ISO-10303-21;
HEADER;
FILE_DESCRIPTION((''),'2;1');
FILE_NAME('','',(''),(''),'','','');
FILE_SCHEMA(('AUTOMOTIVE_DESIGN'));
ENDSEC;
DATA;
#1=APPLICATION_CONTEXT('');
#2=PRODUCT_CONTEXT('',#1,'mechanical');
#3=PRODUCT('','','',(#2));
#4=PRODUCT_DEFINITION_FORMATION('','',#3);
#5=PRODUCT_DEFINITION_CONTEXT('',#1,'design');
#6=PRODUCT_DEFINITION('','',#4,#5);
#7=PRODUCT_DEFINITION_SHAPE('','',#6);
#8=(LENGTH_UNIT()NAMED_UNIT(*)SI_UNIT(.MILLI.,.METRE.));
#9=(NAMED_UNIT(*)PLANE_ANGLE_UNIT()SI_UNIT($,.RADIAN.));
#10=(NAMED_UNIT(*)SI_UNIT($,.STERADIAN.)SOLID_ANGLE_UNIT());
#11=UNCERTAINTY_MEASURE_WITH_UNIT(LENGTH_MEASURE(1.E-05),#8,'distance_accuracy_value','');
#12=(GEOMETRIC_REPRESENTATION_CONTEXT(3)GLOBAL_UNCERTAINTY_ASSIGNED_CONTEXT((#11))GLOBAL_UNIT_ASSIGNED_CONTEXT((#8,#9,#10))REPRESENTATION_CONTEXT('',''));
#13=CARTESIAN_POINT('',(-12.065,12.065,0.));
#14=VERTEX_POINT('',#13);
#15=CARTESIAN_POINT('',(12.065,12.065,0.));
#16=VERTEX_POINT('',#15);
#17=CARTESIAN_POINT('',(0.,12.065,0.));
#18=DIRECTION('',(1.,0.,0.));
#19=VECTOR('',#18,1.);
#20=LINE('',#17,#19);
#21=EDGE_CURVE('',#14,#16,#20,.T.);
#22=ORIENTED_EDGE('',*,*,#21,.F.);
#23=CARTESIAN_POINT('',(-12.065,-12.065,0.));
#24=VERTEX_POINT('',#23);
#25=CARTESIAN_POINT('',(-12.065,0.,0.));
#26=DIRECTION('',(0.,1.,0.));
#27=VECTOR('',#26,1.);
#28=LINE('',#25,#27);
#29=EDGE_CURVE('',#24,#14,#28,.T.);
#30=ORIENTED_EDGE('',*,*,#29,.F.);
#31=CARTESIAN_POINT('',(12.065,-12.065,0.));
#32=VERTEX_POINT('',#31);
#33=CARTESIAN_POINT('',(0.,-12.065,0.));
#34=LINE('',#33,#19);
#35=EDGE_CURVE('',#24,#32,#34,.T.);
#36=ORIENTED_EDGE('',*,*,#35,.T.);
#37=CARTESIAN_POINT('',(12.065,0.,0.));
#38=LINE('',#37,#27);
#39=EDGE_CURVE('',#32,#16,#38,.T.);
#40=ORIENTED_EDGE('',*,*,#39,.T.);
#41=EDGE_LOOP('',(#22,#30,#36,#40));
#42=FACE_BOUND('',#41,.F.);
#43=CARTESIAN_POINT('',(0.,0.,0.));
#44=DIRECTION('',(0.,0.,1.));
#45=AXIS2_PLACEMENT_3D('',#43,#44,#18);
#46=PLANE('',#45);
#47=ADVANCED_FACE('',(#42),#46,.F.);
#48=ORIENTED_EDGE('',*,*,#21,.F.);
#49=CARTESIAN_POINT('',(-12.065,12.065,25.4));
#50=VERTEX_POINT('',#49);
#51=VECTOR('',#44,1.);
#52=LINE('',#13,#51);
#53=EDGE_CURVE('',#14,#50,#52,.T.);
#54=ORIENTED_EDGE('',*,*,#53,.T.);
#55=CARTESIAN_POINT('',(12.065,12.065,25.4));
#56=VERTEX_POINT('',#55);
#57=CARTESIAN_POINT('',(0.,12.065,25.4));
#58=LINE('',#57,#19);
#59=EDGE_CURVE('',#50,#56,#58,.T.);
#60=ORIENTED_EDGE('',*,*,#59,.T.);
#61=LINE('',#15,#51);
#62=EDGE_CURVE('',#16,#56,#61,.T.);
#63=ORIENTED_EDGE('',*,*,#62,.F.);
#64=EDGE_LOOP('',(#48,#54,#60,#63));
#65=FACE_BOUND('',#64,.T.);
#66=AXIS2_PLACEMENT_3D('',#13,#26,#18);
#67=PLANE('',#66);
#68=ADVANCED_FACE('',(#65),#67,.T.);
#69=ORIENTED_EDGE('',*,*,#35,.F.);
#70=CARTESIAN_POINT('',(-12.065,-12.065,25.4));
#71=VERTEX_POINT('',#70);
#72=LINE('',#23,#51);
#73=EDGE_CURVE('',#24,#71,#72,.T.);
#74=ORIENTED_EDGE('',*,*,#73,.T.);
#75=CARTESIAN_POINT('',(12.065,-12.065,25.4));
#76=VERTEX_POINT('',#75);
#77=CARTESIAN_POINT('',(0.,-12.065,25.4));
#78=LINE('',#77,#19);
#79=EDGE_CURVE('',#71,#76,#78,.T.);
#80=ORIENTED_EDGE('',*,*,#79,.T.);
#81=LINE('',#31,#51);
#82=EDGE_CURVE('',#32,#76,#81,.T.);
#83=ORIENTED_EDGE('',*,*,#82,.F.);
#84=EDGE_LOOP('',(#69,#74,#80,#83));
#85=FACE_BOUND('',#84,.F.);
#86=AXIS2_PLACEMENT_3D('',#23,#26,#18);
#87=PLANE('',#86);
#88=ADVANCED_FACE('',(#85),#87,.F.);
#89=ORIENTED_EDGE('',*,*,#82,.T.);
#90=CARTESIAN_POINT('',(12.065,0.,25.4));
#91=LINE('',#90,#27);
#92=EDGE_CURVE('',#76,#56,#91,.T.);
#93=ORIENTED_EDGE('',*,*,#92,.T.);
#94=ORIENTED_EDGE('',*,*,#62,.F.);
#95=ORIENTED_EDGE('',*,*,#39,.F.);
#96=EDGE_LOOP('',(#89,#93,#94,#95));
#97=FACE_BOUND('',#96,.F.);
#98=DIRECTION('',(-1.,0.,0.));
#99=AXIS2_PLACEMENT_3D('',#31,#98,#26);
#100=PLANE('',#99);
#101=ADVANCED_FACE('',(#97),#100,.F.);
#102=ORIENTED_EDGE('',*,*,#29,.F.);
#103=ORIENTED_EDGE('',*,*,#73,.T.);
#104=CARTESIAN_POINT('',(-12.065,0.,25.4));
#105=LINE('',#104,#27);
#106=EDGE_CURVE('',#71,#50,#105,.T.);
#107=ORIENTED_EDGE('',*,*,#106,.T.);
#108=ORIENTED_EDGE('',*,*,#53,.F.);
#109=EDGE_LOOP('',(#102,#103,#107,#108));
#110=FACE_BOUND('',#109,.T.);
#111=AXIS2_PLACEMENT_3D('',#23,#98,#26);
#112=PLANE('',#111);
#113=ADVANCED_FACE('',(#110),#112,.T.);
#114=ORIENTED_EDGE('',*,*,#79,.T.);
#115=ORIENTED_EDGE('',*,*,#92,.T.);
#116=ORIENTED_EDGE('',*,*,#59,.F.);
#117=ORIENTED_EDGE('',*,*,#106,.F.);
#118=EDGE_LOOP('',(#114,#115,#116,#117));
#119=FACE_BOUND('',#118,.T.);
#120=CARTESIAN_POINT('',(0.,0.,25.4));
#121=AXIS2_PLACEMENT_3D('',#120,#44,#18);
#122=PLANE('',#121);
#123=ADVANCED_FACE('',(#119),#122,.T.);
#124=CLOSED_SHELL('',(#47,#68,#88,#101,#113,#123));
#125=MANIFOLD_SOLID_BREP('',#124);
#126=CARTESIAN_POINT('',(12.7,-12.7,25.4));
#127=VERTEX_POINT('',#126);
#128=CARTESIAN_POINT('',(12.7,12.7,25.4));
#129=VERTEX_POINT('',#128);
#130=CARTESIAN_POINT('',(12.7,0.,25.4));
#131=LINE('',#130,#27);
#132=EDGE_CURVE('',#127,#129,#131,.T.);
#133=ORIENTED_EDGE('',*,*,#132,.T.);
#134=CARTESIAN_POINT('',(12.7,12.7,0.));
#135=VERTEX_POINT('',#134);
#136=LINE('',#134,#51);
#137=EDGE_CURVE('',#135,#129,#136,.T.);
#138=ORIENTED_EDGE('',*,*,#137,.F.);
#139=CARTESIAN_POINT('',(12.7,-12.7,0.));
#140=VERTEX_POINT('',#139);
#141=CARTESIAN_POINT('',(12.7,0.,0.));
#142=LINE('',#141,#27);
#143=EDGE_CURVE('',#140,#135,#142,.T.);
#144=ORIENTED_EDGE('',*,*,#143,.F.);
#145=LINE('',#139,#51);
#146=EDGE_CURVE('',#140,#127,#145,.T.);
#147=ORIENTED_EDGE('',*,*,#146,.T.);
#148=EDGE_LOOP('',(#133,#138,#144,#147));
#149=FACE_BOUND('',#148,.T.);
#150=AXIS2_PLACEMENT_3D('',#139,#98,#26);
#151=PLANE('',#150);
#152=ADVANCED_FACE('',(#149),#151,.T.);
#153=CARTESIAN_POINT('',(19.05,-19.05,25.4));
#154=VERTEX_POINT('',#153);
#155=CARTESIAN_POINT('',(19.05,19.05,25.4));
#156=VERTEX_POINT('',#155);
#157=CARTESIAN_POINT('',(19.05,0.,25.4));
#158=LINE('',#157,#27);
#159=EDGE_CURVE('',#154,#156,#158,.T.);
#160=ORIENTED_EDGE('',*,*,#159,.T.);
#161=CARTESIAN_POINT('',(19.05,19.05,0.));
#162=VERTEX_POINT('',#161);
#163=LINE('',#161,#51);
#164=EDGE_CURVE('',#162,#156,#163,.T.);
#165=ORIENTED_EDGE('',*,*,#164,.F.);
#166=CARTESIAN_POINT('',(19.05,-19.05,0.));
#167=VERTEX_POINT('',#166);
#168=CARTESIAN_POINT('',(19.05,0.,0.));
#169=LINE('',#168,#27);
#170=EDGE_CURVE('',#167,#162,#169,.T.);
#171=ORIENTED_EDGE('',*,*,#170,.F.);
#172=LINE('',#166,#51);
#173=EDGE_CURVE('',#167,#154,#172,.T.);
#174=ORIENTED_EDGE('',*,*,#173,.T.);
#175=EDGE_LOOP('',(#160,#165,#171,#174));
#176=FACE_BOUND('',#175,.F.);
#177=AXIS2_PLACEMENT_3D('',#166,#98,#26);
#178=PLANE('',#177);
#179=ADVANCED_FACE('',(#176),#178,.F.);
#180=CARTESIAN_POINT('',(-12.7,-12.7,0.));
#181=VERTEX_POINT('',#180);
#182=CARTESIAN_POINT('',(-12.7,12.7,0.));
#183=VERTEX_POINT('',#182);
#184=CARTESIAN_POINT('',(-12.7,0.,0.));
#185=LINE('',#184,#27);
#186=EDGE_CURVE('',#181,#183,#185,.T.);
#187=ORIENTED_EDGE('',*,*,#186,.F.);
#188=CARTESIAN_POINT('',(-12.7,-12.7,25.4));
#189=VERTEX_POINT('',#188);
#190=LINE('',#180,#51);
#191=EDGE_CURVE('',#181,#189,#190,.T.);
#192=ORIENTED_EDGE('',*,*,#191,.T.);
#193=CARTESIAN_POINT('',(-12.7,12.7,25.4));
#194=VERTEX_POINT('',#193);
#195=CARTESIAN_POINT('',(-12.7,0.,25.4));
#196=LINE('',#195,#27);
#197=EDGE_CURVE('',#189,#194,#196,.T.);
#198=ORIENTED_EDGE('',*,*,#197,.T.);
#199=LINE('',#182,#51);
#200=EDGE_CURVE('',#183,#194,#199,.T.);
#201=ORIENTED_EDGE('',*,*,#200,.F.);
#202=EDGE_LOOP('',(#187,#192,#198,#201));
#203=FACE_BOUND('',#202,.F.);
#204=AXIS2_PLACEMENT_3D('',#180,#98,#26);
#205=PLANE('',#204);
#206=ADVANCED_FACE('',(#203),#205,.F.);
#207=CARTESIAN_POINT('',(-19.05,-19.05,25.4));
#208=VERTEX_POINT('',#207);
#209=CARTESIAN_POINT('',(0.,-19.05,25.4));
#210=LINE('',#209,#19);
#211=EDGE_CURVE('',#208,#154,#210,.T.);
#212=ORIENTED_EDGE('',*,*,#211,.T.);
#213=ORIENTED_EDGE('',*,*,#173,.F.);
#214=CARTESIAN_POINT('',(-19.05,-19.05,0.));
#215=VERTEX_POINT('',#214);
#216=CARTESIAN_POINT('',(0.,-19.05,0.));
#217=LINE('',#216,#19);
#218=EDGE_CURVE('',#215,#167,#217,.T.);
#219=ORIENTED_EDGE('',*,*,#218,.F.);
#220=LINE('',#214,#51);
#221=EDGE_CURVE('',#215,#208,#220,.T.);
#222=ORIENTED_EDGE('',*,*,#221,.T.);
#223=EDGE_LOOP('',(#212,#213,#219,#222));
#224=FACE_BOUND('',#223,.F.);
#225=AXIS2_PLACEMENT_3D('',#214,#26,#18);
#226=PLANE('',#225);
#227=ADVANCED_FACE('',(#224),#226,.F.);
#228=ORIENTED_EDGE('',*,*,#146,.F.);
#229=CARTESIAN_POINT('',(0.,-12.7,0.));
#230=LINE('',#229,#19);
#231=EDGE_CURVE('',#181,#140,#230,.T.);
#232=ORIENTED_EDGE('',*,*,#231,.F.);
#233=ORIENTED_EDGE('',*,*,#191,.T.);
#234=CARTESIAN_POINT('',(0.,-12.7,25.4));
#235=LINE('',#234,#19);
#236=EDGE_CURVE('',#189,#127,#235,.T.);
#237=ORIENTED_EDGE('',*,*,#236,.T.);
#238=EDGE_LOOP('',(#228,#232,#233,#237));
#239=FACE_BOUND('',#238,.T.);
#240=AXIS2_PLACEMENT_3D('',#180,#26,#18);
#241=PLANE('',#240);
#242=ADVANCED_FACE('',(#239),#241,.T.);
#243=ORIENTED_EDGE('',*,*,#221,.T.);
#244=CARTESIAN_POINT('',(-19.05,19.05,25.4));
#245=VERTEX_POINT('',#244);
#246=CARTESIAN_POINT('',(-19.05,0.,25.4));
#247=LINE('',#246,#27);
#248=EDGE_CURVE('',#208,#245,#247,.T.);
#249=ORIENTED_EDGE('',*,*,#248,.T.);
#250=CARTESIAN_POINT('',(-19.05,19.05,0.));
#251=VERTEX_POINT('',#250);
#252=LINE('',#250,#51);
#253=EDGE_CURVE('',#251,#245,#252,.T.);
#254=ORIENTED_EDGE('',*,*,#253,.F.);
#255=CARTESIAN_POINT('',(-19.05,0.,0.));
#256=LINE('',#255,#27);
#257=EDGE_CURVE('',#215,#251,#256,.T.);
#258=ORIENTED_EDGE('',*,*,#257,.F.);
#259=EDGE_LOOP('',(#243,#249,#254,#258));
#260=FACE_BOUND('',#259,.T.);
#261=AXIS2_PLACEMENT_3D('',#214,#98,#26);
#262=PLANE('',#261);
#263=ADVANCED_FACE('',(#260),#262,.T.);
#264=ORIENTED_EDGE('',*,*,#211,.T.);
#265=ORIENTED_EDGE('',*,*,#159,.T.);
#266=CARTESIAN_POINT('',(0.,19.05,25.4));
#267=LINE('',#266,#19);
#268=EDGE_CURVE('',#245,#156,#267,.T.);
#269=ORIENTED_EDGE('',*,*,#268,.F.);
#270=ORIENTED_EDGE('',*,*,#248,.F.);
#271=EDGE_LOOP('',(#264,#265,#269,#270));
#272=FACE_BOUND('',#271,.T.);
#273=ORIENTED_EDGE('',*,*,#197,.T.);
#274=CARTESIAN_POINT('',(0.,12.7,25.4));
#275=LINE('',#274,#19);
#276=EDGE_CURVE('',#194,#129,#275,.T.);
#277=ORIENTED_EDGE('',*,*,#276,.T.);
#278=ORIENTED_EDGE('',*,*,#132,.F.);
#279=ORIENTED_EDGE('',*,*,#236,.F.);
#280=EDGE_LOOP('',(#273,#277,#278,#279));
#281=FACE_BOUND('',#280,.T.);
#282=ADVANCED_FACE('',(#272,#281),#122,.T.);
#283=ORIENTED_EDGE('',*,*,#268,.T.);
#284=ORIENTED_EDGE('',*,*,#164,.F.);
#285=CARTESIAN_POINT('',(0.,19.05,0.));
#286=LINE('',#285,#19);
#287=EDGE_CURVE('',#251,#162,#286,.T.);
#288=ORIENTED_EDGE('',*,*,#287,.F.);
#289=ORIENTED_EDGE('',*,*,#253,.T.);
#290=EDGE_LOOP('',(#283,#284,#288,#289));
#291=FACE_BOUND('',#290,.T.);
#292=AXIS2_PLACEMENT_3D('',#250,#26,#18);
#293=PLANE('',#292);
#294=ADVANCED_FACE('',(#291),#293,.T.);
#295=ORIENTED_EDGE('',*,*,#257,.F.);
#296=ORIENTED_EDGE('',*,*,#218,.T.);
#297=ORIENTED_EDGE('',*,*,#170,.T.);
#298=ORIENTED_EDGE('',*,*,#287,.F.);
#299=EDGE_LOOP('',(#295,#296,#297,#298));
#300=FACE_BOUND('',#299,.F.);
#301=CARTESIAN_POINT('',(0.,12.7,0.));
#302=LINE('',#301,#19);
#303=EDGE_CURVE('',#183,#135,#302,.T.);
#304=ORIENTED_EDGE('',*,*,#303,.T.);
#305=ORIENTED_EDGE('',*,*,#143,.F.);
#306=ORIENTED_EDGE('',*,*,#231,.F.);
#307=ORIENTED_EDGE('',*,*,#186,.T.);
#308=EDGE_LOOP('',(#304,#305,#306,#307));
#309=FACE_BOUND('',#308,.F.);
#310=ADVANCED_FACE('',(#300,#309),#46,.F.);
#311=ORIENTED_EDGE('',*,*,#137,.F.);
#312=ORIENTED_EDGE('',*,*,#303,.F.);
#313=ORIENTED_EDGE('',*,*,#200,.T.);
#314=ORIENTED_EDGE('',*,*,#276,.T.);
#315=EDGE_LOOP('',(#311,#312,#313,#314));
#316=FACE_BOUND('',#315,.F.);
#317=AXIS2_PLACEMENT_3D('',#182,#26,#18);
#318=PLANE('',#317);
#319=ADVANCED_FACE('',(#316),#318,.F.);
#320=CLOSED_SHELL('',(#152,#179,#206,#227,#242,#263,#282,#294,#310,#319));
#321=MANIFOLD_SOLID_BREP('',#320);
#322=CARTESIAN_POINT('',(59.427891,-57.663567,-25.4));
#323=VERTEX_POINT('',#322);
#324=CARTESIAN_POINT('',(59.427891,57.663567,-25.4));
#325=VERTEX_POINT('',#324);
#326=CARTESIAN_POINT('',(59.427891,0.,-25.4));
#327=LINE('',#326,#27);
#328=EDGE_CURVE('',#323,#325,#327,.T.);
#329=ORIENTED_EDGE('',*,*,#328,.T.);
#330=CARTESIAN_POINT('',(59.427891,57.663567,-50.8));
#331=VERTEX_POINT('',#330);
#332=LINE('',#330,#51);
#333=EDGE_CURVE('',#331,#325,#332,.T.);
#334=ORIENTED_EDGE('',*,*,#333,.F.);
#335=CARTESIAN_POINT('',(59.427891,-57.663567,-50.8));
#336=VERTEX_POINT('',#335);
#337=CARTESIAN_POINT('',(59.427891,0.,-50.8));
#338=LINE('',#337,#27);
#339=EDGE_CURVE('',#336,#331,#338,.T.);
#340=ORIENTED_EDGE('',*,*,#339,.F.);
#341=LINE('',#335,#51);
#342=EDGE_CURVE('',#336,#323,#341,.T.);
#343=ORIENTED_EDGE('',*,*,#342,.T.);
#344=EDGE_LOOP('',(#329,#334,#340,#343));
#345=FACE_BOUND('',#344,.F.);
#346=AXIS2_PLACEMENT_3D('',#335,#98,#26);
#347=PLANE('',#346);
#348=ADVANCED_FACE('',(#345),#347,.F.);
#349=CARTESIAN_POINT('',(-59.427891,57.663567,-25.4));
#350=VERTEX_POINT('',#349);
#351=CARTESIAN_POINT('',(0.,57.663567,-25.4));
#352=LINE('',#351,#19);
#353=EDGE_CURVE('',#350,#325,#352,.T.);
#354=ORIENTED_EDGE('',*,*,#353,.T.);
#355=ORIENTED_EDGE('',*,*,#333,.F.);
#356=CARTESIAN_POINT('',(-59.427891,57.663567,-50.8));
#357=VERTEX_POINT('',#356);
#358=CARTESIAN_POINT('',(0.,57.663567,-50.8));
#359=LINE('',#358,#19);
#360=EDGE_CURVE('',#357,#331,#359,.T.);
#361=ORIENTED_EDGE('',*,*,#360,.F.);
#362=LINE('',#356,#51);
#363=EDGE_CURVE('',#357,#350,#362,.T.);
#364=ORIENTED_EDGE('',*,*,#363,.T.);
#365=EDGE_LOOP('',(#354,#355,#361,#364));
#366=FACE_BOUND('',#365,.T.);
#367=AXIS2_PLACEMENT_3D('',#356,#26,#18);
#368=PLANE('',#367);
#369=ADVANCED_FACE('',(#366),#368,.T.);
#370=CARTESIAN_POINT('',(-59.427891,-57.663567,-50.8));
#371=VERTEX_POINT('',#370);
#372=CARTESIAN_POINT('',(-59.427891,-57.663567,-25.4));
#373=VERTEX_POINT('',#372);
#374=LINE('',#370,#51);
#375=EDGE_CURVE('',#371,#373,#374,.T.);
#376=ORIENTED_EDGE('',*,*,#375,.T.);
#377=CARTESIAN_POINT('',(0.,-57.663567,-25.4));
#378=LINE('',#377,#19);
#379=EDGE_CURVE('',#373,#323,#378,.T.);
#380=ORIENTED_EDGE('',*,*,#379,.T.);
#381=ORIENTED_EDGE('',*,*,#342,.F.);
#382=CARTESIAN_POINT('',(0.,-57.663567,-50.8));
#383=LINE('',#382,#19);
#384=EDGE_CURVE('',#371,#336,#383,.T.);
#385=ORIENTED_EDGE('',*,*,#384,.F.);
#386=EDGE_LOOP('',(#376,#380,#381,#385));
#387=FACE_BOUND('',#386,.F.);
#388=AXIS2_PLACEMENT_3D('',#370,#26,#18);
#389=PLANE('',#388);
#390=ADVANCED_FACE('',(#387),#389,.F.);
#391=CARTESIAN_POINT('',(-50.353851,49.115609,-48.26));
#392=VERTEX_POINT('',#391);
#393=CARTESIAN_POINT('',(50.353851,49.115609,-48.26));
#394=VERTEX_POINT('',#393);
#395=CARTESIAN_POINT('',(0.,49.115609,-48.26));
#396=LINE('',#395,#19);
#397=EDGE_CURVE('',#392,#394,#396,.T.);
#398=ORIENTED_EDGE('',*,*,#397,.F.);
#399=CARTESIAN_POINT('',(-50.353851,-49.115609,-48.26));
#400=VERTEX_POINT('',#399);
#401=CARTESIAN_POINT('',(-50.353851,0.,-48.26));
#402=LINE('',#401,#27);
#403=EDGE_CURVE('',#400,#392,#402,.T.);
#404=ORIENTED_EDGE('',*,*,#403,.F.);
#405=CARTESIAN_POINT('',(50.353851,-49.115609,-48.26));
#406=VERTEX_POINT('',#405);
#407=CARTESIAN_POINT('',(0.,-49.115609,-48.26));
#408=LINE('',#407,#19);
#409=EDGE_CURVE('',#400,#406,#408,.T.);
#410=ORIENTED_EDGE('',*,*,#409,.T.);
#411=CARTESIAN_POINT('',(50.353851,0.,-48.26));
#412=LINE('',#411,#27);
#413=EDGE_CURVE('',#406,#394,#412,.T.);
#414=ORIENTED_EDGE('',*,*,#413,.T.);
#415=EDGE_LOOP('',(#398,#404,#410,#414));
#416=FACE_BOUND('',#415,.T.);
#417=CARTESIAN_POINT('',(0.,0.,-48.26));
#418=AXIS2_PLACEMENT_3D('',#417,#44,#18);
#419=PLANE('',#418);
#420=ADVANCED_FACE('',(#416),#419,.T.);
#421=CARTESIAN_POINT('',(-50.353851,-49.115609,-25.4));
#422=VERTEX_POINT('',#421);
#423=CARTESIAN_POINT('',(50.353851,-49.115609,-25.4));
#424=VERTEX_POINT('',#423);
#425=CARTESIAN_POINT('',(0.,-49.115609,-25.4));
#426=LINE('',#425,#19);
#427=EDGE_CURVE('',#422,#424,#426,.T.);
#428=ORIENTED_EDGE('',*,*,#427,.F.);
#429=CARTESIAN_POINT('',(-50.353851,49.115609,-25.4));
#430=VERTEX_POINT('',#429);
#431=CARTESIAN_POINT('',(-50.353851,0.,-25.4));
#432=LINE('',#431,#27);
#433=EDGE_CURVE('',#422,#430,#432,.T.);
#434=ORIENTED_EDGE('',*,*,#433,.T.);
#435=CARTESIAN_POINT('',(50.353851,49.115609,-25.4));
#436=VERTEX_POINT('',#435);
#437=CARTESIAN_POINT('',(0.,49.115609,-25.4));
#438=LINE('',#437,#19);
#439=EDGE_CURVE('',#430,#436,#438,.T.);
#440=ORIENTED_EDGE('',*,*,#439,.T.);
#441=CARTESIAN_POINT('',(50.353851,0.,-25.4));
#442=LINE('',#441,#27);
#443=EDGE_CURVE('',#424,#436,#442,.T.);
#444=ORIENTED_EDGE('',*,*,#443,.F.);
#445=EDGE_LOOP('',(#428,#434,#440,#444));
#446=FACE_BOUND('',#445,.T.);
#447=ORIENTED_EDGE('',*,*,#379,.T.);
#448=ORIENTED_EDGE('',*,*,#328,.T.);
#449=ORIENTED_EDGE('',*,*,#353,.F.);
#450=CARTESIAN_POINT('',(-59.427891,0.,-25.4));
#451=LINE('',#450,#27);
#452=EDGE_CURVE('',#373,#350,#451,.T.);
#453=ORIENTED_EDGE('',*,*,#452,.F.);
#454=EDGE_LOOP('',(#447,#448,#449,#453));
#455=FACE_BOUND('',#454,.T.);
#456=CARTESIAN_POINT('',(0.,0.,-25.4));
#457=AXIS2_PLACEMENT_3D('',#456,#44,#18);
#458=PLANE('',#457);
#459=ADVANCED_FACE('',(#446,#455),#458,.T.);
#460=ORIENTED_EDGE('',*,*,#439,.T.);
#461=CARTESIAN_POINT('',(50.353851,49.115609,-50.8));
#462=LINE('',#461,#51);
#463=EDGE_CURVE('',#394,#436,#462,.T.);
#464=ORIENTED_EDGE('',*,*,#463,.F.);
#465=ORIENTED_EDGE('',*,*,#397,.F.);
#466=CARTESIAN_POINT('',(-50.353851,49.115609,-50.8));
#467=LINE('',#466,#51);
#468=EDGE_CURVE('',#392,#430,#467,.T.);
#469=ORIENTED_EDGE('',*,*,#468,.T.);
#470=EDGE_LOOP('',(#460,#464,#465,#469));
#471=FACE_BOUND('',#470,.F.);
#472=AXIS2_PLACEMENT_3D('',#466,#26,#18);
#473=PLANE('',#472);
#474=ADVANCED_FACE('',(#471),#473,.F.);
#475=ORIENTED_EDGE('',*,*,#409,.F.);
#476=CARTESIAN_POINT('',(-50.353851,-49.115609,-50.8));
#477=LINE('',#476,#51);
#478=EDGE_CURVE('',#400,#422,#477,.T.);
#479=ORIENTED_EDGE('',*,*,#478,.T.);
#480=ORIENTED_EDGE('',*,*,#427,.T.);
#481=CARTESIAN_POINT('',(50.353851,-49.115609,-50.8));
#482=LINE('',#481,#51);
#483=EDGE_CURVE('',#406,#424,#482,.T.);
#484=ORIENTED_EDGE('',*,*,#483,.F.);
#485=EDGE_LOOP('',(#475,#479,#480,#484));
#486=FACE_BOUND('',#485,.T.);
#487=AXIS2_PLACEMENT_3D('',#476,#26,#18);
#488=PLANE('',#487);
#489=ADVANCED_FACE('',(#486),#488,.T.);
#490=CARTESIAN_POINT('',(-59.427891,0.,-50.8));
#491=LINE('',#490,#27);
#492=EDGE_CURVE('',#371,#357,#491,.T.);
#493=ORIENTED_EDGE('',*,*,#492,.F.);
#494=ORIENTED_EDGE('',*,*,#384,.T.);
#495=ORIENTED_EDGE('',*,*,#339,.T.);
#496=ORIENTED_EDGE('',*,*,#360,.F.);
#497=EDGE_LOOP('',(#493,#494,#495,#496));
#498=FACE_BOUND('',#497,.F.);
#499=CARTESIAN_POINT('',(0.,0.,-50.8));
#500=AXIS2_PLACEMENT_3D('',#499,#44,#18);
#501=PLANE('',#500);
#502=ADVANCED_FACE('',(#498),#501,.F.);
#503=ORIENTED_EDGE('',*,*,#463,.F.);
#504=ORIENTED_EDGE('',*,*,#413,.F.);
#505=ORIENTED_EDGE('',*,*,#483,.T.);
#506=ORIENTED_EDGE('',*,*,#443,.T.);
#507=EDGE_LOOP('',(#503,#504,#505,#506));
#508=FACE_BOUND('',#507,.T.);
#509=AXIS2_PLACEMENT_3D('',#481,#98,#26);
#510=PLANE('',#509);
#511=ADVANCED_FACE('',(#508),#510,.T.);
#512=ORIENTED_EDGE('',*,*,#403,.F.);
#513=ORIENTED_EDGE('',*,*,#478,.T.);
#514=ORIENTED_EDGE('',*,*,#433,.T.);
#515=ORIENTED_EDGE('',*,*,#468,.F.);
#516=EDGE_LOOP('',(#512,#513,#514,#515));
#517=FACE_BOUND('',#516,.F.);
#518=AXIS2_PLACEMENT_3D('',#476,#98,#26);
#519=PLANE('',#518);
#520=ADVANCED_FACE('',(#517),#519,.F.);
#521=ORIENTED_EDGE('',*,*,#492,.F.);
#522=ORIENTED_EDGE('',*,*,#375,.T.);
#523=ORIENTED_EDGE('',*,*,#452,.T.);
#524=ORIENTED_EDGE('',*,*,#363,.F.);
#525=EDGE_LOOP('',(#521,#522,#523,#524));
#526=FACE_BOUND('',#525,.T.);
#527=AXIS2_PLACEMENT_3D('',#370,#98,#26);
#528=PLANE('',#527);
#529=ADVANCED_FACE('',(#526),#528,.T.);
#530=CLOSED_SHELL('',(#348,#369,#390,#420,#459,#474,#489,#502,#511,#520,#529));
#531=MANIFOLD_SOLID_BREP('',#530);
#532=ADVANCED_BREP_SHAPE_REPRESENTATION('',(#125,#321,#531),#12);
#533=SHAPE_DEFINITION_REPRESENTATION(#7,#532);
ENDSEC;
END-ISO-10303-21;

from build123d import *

# Parameters (mm, degrees)
F0_W     = 24.13
F0_H     = 24.13
F1_DEPTH = 25.4
F2_W     = 38.1
F2_H     = 38.1
F2_W_2   = 25.4
F2_H_2   = 25.4
F3_DEPTH = 25.4
F5_W     = 118.855782
F5_H     = 115.327134
F5_W_2   = 100.707702
F5_H_2   = 98.231218
F6_DEPTH = 25.4
F7_DEPTH = 2.54


with BuildPart() as f1:
    # F0 (on Top) → F1 (new body)
    with BuildSketch(Plane.XY):
        Rectangle(F0_W, F0_H)
    extrude(amount=F1_DEPTH)


with BuildPart() as f3:
    # F2 (on Top) → F3 (new body)
    with BuildSketch(Plane.XY):
        Rectangle(F2_W, F2_H)
        Rectangle(F2_W_2, F2_H_2, mode=Mode.SUBTRACT)
    extrude(amount=F3_DEPTH)


with BuildPart() as f6:
    # F5 (on offset) → F6 (new body)
    with BuildSketch(Plane.XY.offset(-50.8)):
        Rectangle(F5_W, F5_H)
        Rectangle(F5_W_2, F5_H_2, mode=Mode.SUBTRACT)
    extrude(amount=F6_DEPTH)

    # F5 (on offset) → F7 (join)
    with BuildSketch(Plane.XY.offset(-50.8)):
        Rectangle(F5_W_2, F5_H_2)
    extrude(amount=F7_DEPTH)


solid = Compound([f1.part, f3.part, f6.part])
